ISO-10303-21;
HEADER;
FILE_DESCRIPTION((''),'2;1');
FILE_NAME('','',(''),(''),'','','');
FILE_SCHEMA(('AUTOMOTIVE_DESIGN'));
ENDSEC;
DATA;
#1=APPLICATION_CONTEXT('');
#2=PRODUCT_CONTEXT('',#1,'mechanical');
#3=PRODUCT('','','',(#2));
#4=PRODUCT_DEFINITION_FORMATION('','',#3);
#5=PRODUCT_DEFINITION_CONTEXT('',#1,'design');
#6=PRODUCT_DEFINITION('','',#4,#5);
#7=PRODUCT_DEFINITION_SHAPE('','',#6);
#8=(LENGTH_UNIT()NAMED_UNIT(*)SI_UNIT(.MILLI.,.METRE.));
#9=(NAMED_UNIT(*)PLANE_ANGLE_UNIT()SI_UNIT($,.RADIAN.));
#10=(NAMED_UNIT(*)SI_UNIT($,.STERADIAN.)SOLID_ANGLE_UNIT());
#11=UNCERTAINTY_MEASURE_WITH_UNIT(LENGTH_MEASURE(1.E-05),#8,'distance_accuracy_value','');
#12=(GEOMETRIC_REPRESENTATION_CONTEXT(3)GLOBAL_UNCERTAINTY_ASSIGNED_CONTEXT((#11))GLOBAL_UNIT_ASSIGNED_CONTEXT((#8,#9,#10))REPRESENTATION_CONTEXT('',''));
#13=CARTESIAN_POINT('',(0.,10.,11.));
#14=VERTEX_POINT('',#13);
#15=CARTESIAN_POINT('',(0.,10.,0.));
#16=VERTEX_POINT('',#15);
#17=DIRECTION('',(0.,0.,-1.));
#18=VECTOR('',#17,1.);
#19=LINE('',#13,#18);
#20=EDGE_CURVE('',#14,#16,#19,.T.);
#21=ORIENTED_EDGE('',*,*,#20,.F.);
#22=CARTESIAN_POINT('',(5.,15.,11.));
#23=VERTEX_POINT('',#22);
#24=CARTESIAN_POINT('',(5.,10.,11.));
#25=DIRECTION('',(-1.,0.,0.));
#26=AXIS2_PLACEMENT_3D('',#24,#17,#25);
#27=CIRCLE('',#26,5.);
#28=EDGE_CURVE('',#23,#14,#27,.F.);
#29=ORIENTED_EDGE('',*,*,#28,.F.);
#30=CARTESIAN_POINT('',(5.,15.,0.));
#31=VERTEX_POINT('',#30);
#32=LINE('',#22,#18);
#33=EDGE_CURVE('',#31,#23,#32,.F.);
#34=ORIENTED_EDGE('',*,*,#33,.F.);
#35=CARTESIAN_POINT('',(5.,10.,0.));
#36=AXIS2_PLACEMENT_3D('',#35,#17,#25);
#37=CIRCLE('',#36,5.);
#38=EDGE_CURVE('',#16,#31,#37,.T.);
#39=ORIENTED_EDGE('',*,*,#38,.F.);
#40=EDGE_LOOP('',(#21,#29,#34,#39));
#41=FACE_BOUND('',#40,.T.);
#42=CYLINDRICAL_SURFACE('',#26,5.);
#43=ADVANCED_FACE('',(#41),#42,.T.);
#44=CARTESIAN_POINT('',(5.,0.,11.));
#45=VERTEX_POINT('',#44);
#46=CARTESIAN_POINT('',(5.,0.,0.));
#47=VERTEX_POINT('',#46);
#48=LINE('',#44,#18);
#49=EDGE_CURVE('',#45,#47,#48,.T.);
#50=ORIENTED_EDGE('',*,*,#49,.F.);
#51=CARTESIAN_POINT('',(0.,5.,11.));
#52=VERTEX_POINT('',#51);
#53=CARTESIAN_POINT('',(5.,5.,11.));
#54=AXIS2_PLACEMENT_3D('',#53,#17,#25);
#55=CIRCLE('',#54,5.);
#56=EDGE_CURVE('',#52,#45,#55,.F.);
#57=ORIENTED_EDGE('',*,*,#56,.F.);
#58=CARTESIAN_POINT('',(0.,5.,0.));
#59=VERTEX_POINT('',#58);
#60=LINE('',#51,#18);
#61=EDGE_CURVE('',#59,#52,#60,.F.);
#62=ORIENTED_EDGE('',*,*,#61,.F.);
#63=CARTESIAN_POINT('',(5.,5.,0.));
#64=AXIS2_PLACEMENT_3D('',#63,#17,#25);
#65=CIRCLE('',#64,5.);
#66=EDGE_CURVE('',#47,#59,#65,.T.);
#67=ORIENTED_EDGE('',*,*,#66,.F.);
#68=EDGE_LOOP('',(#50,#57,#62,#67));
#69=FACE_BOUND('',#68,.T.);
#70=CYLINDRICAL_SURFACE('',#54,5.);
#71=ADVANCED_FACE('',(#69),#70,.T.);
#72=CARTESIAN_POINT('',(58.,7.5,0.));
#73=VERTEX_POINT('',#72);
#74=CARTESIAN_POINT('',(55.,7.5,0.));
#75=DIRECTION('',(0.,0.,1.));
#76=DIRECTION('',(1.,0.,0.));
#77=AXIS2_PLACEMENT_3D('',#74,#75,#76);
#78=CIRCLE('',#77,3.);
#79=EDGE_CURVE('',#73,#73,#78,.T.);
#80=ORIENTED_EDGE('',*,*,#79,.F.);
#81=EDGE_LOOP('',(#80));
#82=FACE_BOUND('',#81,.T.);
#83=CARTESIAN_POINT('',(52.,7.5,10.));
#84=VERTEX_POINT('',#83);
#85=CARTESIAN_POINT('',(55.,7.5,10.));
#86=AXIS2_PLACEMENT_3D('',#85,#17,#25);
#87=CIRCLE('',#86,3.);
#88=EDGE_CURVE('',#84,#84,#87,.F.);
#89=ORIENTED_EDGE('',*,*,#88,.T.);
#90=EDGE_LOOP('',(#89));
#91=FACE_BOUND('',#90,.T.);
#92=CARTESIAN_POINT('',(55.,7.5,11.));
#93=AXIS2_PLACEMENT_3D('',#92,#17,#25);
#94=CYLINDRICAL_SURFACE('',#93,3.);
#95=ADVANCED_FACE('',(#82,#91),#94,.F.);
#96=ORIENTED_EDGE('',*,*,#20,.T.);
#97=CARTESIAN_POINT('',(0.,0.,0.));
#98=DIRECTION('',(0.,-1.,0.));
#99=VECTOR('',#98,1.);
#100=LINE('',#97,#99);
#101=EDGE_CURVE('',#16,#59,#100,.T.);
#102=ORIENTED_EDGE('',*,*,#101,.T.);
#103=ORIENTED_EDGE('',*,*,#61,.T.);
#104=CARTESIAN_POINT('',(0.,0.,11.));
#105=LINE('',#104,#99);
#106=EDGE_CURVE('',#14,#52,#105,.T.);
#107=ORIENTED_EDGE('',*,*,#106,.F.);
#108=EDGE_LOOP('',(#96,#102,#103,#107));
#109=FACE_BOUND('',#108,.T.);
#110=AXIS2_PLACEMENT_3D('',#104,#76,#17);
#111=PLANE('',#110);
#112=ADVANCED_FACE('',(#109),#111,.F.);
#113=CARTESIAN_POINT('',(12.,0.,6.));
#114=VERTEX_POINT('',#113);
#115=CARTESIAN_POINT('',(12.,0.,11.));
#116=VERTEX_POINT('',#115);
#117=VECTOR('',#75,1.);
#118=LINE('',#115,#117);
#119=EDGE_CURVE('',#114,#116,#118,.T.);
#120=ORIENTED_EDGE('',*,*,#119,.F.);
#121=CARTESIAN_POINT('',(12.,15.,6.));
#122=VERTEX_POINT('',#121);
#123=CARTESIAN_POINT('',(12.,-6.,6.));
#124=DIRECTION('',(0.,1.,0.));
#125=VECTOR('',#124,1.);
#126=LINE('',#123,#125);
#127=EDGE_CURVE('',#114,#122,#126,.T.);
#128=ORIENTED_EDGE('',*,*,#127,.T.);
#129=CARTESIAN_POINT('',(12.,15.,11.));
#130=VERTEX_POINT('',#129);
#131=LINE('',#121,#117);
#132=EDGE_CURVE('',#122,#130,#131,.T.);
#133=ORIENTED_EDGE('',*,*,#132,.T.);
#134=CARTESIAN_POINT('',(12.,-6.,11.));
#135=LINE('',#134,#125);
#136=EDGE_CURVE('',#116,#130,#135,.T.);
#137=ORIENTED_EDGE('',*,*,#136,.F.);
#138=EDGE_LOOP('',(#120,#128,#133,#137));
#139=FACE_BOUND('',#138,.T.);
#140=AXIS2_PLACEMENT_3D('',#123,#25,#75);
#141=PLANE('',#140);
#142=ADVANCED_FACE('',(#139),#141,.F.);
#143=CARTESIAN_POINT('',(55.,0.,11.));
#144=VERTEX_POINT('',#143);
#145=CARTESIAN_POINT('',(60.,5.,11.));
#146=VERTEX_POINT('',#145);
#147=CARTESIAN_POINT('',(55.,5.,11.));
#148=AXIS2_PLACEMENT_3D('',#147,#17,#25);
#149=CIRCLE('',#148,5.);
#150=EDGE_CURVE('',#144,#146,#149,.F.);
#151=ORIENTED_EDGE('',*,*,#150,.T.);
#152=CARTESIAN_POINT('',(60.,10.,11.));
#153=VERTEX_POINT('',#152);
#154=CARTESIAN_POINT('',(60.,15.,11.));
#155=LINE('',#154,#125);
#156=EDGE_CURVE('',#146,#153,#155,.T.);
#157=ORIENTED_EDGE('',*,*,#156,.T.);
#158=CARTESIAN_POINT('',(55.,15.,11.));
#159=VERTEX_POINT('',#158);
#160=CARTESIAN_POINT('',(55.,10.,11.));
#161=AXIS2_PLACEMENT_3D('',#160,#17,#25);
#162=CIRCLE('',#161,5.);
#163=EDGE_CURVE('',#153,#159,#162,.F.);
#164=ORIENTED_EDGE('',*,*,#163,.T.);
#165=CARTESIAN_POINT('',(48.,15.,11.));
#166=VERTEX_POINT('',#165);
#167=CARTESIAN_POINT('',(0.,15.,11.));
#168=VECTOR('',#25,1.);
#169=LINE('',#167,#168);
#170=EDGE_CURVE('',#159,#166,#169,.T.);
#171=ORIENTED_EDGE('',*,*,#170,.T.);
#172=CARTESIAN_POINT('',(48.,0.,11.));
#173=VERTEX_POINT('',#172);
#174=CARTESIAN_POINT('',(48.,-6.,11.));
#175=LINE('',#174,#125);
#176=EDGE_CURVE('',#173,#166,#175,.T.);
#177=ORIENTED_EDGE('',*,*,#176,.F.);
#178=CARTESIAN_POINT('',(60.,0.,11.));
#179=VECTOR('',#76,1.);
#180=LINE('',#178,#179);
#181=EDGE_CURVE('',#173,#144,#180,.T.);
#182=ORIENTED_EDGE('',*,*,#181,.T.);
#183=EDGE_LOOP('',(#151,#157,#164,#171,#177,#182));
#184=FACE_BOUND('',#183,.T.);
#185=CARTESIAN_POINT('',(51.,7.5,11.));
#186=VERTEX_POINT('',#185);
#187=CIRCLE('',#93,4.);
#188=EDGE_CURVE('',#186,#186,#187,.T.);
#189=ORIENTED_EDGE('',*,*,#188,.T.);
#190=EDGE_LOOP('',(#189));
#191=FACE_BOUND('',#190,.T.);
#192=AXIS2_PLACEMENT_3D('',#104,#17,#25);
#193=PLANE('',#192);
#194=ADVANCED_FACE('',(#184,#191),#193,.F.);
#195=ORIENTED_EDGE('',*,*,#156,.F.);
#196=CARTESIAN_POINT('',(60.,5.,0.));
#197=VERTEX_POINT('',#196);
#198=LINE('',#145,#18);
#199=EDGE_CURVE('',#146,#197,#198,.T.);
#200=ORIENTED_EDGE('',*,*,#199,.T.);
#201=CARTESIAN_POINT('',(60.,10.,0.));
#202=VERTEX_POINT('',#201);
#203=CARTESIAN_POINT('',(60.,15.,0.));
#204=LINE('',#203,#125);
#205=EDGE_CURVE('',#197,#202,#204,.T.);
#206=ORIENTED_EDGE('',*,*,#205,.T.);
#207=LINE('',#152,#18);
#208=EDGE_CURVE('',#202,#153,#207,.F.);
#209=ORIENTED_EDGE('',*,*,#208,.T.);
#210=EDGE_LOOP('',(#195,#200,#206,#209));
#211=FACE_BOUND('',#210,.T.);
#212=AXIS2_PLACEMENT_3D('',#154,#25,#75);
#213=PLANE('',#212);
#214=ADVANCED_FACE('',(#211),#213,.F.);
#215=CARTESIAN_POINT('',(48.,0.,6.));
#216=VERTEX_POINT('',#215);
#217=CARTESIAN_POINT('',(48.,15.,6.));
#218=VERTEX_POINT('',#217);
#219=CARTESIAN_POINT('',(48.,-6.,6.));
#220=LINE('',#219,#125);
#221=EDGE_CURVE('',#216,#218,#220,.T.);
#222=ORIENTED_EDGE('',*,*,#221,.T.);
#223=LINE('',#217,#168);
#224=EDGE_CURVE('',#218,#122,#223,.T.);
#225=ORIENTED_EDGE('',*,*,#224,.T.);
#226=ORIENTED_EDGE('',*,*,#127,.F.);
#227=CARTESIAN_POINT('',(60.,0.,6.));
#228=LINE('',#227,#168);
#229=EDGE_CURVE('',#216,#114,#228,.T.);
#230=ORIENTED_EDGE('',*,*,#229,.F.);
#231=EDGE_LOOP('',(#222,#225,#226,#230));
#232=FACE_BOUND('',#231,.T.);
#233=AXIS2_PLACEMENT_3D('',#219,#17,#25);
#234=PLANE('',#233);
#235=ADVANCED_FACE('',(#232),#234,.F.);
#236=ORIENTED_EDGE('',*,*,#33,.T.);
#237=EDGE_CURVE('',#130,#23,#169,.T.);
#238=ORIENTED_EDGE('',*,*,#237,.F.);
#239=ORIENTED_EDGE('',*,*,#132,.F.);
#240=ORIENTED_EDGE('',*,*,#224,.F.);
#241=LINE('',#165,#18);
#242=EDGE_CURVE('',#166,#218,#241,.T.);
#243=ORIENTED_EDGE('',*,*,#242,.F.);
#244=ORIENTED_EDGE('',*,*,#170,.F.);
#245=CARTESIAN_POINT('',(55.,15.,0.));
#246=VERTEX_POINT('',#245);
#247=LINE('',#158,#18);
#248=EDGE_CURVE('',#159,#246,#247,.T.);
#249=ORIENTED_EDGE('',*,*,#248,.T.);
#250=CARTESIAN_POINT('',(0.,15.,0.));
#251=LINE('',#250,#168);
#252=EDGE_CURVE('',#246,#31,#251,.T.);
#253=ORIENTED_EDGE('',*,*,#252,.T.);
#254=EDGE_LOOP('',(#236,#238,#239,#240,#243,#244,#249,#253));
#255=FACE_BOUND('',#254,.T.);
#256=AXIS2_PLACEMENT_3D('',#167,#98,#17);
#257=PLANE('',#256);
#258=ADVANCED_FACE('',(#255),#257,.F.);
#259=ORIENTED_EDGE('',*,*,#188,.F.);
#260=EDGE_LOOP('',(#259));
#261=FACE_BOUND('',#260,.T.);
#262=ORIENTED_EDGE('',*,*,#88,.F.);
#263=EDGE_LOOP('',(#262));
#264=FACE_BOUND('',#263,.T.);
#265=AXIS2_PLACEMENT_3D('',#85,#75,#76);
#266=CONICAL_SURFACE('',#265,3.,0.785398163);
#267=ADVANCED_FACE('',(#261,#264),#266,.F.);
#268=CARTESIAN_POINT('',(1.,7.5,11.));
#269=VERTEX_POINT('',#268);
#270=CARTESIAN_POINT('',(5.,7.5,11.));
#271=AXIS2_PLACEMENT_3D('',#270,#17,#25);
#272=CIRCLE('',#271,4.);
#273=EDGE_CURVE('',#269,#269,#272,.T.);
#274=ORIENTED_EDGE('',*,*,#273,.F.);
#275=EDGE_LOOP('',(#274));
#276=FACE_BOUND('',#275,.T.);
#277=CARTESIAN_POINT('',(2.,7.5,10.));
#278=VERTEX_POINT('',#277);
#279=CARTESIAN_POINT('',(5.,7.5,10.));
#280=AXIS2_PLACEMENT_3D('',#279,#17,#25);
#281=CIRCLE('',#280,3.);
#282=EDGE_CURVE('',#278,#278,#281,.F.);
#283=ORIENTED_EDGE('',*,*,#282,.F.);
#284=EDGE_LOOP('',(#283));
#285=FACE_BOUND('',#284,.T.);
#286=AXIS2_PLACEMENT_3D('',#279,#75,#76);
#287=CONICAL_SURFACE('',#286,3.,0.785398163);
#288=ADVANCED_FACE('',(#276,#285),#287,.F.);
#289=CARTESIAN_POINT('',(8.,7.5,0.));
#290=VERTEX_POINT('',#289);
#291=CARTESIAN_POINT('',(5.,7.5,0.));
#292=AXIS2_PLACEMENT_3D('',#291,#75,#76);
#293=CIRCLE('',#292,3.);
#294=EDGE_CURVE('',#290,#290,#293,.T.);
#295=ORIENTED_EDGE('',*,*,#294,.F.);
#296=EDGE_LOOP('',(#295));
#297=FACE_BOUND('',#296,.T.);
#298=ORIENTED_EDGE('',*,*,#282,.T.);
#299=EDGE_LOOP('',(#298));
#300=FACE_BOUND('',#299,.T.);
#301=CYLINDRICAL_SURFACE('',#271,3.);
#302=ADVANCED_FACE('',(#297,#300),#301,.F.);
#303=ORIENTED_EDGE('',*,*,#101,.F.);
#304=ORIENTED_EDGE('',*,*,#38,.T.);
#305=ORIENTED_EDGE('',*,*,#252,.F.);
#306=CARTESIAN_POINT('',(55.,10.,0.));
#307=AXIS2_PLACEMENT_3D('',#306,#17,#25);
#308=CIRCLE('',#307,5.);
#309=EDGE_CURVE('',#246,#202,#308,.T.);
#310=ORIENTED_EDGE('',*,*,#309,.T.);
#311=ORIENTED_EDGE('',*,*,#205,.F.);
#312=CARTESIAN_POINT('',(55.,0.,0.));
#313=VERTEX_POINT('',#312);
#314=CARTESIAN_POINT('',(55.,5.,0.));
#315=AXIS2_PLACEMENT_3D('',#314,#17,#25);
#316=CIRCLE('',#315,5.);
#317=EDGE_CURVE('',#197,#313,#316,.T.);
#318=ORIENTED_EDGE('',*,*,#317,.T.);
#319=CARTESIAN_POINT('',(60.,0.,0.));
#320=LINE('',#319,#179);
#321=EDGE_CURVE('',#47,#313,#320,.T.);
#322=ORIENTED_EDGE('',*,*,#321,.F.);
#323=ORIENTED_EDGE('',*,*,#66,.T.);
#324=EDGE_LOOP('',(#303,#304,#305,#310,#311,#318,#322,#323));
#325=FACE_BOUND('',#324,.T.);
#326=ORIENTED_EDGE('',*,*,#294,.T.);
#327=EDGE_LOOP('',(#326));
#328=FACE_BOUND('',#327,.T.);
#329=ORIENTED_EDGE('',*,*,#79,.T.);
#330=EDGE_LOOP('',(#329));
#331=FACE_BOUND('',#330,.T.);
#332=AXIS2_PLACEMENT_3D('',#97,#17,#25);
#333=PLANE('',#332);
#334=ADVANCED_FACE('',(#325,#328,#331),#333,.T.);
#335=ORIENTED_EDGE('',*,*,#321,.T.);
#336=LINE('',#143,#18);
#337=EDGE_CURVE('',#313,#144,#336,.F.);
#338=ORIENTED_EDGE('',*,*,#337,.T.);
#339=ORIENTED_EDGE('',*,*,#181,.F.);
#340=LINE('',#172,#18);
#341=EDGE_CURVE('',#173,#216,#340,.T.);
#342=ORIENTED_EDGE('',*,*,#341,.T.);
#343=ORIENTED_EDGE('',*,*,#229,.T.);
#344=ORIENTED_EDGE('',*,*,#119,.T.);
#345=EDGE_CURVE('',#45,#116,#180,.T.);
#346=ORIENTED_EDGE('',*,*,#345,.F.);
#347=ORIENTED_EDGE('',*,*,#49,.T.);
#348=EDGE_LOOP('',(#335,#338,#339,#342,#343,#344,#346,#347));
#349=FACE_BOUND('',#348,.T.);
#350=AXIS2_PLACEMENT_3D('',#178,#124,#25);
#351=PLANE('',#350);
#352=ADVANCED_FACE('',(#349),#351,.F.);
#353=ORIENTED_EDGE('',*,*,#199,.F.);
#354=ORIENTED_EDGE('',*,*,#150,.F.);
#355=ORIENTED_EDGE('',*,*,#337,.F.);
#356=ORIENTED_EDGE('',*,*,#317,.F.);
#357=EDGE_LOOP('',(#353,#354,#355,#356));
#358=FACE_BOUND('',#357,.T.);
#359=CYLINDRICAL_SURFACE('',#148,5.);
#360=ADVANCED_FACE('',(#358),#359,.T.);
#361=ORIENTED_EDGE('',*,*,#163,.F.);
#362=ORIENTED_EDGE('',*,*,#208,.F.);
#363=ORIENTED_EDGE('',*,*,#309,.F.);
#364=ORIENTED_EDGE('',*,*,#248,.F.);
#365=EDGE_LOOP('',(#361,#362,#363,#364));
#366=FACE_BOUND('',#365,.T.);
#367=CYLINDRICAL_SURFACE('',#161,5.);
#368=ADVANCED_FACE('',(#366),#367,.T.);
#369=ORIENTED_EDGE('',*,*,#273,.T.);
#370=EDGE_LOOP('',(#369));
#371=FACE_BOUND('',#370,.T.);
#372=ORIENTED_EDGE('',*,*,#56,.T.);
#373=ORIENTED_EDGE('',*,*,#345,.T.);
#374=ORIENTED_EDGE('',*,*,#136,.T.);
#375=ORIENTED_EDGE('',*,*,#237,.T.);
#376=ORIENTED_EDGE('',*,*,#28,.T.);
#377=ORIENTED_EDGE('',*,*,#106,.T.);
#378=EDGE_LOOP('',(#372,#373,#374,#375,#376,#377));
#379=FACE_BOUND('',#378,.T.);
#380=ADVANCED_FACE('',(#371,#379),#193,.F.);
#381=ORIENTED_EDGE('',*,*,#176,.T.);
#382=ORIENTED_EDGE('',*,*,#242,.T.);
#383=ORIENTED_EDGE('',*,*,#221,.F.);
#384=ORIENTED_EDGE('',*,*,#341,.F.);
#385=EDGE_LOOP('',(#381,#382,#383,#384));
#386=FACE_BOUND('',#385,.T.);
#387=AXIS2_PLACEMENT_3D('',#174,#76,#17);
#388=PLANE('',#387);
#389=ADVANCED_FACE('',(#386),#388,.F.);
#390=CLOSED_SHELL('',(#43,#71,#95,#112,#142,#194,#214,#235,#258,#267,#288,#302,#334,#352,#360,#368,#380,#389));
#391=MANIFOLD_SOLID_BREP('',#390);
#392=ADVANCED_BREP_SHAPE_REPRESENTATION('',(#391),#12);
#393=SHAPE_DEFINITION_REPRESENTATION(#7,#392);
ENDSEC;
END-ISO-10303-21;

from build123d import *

# Parameters (mm, degrees)
CROQUIS1_W              = 60
CROQUIS1_H              = 15
CROQUIS1_R              = 3
SALIENTE_EXTRUIR1_DEPTH = 11
REDONDEO1_R             = 5
CORTAR_EXTRUIR1_DEPTH   = 21
CHAFL_N1_SIZE           = 1


with BuildPart() as part:
    # Croquis1 → Saliente-Extruir1 (new body)
    with BuildSketch(Plane.XY):
        with Locations((30, 7.5)):
            Rectangle(CROQUIS1_W, CROQUIS1_H)
        with Locations((5, 7.5)):
            Circle(CROQUIS1_R, mode=Mode.SUBTRACT)
        with Locations((55, 7.5)):
            Circle(CROQUIS1_R, mode=Mode.SUBTRACT)
    extrude(amount=SALIENTE_EXTRUIR1_DEPTH)

    # Redondeo1
    redondeo1_edges = [part.edges().sort_by_distance(p)[0] for p in [
        (0, 0, 5.5),
        (0, 15, 5.5),
        (60, 15, 5.5),
        (60, 0, 5.5),
    ]]
    fillet(redondeo1_edges, radius=REDONDEO1_R)

    # Croquis2 → Cortar-Extruir1 (cut)
    with BuildSketch(Plane(origin=(0, 15, 0), x_dir=(1, 0, 0), z_dir=(0, 1, 0))):
        Polygon((30, -11), (48, -11), (48, -6), (12, -6), (12, -11), align=None)
    extrude(amount=-CORTAR_EXTRUIR1_DEPTH, mode=Mode.SUBTRACT)

    # Chaflán1
    chafl_n1_edges = [part.edges().sort_by_distance(p)[0] for p in [
        (2, 7.5, 11),
        (52, 7.5, 11),
    ]]
    chamfer(chafl_n1_edges, length=CHAFL_N1_SIZE)


solid = part.part
